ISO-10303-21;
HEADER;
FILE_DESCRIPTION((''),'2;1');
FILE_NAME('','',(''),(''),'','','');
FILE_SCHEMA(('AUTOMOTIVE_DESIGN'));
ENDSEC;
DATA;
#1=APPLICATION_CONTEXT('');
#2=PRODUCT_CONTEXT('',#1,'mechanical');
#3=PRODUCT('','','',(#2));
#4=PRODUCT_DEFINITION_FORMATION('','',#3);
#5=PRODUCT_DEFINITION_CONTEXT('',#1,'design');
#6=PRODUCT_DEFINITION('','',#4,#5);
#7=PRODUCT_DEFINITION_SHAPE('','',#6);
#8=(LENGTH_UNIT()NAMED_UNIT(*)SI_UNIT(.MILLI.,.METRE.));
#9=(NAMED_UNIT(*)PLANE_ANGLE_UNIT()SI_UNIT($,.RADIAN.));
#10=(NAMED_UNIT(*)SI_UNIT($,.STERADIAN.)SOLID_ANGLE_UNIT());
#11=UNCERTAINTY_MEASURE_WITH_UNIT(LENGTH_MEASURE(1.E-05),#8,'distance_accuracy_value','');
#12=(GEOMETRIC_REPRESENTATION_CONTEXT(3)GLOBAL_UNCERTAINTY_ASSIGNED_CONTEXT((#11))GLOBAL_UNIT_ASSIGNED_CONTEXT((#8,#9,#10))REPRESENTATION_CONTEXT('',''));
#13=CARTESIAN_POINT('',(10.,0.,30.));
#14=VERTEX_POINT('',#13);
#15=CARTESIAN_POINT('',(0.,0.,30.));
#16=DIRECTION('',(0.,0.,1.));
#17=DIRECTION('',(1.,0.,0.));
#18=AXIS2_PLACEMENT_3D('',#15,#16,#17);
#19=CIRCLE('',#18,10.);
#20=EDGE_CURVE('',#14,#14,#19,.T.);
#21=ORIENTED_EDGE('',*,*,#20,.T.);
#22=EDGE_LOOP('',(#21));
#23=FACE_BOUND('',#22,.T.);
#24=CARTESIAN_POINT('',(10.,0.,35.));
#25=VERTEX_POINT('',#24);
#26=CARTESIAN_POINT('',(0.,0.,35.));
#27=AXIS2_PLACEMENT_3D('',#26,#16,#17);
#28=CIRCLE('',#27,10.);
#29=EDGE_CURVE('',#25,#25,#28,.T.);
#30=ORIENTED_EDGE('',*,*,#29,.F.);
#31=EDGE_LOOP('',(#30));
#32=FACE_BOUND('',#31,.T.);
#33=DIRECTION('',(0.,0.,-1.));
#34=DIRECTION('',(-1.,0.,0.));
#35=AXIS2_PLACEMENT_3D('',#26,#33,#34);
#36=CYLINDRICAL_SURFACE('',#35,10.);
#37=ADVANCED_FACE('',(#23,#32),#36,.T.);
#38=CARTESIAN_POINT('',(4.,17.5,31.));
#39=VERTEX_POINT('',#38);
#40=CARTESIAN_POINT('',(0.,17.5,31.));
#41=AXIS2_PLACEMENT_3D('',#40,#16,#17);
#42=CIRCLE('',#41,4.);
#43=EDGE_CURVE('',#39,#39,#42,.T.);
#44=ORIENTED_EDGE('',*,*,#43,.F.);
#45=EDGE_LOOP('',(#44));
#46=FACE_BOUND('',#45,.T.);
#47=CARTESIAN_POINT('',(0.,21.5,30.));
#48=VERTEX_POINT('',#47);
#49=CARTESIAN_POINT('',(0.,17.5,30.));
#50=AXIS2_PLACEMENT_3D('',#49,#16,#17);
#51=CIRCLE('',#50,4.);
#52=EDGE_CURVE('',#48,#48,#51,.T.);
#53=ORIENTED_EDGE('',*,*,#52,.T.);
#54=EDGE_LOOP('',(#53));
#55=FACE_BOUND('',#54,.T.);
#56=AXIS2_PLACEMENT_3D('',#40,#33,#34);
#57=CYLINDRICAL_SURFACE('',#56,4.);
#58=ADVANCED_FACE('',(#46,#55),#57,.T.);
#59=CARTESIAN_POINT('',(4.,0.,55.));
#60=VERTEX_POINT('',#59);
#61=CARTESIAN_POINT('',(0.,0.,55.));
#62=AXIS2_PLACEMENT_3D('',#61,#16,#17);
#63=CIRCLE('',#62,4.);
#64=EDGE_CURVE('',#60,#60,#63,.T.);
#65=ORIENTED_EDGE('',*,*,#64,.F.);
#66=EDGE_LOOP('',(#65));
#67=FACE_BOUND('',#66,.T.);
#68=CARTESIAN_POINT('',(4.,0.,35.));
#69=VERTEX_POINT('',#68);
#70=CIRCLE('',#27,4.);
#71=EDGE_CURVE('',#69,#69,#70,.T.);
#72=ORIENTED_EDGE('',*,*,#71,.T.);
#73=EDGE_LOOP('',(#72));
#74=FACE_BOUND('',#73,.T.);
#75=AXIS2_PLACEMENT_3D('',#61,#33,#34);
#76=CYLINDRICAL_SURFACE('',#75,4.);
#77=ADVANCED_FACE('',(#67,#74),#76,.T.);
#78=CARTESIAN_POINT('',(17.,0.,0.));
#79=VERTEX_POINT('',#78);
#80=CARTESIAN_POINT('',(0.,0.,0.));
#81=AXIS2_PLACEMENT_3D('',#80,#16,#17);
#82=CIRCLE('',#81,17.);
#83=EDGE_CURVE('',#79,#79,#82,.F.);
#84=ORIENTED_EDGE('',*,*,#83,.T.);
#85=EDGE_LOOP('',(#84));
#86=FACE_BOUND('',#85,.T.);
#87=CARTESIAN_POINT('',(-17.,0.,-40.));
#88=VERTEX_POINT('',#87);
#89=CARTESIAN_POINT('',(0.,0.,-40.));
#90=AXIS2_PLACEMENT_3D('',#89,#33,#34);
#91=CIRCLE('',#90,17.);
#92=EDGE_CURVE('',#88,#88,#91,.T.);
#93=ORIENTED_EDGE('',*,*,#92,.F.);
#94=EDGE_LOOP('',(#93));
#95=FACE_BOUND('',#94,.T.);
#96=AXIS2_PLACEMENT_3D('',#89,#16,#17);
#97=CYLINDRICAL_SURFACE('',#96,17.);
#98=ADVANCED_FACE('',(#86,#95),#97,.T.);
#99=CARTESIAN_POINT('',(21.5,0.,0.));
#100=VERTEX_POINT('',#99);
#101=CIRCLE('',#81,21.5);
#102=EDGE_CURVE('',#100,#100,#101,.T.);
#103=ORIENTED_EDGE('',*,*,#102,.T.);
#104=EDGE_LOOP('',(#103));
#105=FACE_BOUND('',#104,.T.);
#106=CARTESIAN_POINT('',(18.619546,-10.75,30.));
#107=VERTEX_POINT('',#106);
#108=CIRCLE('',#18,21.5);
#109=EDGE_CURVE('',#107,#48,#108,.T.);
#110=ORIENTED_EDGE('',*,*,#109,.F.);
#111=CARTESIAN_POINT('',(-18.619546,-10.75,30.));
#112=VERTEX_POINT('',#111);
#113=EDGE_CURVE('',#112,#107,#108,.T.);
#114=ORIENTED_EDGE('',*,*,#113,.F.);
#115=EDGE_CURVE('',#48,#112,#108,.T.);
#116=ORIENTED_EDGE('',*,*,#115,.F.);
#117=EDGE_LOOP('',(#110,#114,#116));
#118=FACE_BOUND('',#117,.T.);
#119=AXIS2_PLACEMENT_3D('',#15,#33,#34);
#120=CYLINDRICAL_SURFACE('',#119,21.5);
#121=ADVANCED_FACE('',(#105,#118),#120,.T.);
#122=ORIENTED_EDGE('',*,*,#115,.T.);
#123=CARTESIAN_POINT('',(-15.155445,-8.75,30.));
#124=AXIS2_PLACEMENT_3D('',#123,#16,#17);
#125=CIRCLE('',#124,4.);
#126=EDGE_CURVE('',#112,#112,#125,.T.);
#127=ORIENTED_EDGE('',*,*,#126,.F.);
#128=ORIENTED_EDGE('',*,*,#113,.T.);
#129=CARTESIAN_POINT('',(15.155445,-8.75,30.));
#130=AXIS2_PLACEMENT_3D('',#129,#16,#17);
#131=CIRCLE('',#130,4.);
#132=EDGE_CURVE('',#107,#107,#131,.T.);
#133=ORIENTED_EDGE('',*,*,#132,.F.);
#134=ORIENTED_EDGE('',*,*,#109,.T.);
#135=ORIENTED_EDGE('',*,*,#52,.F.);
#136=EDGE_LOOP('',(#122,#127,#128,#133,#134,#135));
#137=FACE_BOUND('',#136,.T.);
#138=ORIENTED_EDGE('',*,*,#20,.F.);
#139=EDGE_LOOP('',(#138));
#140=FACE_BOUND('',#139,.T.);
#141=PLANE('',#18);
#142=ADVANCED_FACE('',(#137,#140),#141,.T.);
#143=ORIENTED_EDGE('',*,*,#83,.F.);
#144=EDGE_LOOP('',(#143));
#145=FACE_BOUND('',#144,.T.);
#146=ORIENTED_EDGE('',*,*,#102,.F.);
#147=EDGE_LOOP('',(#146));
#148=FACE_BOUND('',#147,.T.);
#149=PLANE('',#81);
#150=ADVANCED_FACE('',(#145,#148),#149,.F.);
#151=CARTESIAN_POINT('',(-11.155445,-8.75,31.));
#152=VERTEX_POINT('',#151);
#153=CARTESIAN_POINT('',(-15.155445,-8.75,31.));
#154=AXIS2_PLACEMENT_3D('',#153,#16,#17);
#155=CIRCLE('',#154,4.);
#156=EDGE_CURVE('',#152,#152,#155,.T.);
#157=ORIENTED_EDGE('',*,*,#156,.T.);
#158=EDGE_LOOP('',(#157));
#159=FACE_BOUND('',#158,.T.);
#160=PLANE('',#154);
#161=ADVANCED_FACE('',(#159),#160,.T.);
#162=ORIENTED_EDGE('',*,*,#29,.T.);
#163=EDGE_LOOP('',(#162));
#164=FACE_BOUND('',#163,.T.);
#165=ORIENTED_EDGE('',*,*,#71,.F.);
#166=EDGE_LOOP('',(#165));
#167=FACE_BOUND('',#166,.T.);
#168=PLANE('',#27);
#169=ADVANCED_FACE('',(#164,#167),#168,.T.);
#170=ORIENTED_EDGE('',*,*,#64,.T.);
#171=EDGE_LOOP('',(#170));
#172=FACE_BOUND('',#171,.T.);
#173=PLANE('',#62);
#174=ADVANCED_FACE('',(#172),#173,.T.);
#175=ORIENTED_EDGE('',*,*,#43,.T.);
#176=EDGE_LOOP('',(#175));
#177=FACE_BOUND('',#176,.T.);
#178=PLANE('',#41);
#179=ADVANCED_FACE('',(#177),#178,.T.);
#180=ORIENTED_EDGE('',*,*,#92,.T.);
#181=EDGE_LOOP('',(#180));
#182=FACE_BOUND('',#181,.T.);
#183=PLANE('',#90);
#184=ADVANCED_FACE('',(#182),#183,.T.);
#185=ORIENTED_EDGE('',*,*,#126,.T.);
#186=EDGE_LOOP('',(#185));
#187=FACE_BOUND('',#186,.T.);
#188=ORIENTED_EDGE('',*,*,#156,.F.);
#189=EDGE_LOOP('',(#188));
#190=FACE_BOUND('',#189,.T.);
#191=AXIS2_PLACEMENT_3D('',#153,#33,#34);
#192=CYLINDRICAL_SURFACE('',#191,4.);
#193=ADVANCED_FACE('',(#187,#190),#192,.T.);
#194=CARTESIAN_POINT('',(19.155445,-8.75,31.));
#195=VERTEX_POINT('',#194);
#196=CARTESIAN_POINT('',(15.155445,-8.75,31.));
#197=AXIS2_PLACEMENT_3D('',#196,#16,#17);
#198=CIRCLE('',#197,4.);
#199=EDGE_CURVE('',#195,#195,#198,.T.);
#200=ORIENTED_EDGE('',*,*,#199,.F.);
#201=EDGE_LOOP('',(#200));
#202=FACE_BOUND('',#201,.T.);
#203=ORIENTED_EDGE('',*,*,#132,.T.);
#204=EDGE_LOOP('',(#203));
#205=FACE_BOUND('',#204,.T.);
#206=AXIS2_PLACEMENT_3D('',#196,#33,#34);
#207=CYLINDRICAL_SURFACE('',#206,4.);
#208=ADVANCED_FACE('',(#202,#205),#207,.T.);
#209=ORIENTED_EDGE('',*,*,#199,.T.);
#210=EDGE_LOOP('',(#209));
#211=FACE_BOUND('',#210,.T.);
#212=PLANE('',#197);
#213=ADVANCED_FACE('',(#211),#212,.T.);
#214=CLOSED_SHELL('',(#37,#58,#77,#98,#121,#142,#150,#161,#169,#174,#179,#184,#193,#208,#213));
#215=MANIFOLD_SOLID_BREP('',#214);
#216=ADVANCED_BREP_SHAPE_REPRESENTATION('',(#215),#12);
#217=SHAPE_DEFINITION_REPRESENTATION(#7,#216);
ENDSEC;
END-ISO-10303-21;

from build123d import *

# Parameters (mm, degrees)
ESQUISSE1_R      = 21.5
EXTRUSION1_DEPTH = 30
ESQUISSE2_R      = 10
EXTRUSION2_DEPTH = 5
ESQUISSE3_R      = 4
EXTRUSION3_DEPTH = 20
ESQUISSE4_R      = 17
EXTRUSION4_DEPTH = 40
ESQUISSE5_R      = 4
EXTRUSION5_DEPTH = 1


with BuildPart() as part:
    # Esquisse1 → Extrusion1 (new body)
    with BuildSketch(Plane.XY):
        Circle(ESQUISSE1_R)
    extrude(amount=EXTRUSION1_DEPTH)

    # Esquisse2 → Extrusion2 (add)
    with BuildSketch(Plane.XY.offset(30)):
        Circle(ESQUISSE2_R)
    extrude(amount=EXTRUSION2_DEPTH)

    # Esquisse3 → Extrusion3 (add)
    with BuildSketch(Plane.XY.offset(35)):
        Circle(ESQUISSE3_R)
    extrude(amount=EXTRUSION3_DEPTH)

    # Esquisse4 → Extrusion4 (add)
    with BuildSketch(Plane(origin=(0, 0, 0), x_dir=(-1, 0, 0), z_dir=(0, 0, -1))):
        with Locations(Location((0, 0, 0), (0, 0, 180))):
            Circle(ESQUISSE4_R)
    extrude(amount=EXTRUSION4_DEPTH)

    # Esquisse5 → Extrusion5 (add)
    with BuildSketch(Plane.XY.offset(30)):
        with Locations(Location((0, 17.5, 0), (0, 0, 89.999550935))):
            Circle(ESQUISSE5_R)
        with Locations(Location((-15.155444566, -8.75, 0), (0, 0, 209.999550935))):
            Circle(ESQUISSE5_R)
        with Locations(Location((15.155444566, -8.75, 0), (0, 0, 329.999550935))):
            Circle(ESQUISSE5_R)
    extrude(amount=EXTRUSION5_DEPTH)


solid = part.part
